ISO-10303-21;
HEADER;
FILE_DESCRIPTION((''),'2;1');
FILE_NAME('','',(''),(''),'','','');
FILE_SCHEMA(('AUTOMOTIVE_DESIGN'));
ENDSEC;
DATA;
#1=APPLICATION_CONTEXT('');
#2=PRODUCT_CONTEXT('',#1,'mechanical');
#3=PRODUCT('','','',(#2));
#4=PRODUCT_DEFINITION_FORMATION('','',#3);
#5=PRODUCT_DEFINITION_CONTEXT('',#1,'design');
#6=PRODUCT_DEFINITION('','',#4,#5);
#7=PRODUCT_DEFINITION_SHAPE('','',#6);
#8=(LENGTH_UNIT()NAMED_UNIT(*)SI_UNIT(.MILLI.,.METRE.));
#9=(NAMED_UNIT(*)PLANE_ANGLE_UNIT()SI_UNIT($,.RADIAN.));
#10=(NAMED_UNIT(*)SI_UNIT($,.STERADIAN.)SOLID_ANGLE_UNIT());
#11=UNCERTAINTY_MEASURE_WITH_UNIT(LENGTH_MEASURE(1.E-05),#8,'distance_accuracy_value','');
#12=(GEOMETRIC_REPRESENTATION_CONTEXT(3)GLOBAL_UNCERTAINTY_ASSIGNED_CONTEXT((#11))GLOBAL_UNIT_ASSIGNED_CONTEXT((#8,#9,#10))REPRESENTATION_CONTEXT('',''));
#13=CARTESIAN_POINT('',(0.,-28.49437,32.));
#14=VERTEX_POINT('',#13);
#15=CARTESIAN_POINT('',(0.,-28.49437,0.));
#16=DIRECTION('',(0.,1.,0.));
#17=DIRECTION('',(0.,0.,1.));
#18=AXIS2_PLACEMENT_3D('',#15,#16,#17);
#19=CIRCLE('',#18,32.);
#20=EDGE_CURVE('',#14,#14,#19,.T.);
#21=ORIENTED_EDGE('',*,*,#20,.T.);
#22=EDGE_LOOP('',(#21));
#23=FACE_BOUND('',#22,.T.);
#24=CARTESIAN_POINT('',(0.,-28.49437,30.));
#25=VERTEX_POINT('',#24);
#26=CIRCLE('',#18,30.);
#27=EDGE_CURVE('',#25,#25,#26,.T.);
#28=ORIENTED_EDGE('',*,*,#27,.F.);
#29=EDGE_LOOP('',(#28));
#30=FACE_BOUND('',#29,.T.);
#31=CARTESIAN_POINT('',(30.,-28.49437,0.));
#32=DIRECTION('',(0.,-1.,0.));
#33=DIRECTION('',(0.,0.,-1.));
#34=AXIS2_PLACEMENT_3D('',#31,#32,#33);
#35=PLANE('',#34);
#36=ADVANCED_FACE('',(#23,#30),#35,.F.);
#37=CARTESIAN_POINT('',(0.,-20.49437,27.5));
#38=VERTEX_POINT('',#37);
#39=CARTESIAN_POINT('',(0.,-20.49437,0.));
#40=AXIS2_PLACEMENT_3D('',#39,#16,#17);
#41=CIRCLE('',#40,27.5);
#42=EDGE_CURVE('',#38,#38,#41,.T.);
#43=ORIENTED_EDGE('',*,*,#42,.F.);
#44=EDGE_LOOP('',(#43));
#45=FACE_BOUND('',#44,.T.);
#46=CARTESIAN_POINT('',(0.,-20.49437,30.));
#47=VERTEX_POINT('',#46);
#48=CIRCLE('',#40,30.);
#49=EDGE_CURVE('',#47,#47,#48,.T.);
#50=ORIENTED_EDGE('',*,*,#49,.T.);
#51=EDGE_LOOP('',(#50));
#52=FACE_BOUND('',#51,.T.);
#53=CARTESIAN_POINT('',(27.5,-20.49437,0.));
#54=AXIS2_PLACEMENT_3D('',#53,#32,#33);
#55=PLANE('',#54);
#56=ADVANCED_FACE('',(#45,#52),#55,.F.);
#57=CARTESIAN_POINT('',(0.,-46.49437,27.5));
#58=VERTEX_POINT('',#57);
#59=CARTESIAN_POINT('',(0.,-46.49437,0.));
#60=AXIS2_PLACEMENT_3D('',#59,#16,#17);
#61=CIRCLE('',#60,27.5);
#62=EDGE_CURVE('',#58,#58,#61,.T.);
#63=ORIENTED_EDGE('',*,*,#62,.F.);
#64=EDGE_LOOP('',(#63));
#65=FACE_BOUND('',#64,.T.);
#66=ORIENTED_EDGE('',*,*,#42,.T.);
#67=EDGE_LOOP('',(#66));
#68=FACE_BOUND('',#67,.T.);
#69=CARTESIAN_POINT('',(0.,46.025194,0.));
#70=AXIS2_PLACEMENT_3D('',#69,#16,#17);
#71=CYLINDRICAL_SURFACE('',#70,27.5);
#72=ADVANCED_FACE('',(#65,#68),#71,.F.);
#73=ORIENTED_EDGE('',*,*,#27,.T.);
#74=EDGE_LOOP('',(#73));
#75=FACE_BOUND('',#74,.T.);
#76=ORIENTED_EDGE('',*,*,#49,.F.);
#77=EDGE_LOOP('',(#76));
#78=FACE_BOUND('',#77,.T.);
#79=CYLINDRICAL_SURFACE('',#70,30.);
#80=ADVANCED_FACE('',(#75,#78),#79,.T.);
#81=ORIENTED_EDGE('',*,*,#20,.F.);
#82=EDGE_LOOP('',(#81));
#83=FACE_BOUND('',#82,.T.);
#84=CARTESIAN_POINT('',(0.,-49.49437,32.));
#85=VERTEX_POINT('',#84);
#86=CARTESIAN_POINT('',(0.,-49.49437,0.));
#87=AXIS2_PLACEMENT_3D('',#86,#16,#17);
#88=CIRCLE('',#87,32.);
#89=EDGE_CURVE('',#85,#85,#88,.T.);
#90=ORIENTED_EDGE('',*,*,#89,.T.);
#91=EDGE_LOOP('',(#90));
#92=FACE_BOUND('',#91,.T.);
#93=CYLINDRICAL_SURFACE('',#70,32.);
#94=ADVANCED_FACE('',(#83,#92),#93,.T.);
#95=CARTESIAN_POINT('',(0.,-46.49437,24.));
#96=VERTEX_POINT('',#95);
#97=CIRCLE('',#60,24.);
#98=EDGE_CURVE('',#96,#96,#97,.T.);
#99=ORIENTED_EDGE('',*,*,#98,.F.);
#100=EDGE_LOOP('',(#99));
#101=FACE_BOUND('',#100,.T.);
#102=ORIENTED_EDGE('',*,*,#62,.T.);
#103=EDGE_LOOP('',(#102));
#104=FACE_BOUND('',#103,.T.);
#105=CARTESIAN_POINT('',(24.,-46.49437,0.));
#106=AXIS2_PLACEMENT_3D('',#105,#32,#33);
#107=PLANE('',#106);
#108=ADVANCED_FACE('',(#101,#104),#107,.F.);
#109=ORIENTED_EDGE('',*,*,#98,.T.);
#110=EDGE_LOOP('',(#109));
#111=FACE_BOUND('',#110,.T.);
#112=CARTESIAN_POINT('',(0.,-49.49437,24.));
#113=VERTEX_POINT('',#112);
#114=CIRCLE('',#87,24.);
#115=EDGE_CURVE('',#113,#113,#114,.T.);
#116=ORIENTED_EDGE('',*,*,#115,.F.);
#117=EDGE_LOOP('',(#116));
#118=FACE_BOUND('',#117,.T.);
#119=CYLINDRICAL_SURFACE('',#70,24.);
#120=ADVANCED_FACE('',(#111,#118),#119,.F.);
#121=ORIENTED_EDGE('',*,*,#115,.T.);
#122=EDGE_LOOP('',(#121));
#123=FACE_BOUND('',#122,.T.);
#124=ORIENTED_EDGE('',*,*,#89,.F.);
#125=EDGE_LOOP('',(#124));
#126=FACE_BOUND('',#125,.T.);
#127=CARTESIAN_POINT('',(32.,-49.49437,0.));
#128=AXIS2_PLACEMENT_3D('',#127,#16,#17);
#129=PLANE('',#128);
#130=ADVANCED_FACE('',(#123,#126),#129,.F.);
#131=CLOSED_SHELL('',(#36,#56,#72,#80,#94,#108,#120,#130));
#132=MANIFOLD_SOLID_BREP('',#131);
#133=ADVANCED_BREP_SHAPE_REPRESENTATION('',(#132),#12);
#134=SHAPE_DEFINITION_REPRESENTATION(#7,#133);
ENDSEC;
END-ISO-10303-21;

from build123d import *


with BuildPart() as part:
    # Эскиз1 → Повернуть1 (revolve)
    with BuildSketch(Plane.XY, mode=Mode.PRIVATE) as revolve_1_sk:
        Polygon((27.5, -20.494369949), (30, -20.494369949), (30, -28.494369949), (32, -28.494369949), (32, -49.494369949), (24, -49.494369949), (24, -46.494369949), (27.5, -46.494369949), align=None)
    revolve(revolve_1_sk.sketch.rotate(Axis((0, 46.025193798, 0), (0, -1, 0)), 90), axis=Axis((0, 46.025193798, 0), (0, -1, 0)))


solid = part.part
